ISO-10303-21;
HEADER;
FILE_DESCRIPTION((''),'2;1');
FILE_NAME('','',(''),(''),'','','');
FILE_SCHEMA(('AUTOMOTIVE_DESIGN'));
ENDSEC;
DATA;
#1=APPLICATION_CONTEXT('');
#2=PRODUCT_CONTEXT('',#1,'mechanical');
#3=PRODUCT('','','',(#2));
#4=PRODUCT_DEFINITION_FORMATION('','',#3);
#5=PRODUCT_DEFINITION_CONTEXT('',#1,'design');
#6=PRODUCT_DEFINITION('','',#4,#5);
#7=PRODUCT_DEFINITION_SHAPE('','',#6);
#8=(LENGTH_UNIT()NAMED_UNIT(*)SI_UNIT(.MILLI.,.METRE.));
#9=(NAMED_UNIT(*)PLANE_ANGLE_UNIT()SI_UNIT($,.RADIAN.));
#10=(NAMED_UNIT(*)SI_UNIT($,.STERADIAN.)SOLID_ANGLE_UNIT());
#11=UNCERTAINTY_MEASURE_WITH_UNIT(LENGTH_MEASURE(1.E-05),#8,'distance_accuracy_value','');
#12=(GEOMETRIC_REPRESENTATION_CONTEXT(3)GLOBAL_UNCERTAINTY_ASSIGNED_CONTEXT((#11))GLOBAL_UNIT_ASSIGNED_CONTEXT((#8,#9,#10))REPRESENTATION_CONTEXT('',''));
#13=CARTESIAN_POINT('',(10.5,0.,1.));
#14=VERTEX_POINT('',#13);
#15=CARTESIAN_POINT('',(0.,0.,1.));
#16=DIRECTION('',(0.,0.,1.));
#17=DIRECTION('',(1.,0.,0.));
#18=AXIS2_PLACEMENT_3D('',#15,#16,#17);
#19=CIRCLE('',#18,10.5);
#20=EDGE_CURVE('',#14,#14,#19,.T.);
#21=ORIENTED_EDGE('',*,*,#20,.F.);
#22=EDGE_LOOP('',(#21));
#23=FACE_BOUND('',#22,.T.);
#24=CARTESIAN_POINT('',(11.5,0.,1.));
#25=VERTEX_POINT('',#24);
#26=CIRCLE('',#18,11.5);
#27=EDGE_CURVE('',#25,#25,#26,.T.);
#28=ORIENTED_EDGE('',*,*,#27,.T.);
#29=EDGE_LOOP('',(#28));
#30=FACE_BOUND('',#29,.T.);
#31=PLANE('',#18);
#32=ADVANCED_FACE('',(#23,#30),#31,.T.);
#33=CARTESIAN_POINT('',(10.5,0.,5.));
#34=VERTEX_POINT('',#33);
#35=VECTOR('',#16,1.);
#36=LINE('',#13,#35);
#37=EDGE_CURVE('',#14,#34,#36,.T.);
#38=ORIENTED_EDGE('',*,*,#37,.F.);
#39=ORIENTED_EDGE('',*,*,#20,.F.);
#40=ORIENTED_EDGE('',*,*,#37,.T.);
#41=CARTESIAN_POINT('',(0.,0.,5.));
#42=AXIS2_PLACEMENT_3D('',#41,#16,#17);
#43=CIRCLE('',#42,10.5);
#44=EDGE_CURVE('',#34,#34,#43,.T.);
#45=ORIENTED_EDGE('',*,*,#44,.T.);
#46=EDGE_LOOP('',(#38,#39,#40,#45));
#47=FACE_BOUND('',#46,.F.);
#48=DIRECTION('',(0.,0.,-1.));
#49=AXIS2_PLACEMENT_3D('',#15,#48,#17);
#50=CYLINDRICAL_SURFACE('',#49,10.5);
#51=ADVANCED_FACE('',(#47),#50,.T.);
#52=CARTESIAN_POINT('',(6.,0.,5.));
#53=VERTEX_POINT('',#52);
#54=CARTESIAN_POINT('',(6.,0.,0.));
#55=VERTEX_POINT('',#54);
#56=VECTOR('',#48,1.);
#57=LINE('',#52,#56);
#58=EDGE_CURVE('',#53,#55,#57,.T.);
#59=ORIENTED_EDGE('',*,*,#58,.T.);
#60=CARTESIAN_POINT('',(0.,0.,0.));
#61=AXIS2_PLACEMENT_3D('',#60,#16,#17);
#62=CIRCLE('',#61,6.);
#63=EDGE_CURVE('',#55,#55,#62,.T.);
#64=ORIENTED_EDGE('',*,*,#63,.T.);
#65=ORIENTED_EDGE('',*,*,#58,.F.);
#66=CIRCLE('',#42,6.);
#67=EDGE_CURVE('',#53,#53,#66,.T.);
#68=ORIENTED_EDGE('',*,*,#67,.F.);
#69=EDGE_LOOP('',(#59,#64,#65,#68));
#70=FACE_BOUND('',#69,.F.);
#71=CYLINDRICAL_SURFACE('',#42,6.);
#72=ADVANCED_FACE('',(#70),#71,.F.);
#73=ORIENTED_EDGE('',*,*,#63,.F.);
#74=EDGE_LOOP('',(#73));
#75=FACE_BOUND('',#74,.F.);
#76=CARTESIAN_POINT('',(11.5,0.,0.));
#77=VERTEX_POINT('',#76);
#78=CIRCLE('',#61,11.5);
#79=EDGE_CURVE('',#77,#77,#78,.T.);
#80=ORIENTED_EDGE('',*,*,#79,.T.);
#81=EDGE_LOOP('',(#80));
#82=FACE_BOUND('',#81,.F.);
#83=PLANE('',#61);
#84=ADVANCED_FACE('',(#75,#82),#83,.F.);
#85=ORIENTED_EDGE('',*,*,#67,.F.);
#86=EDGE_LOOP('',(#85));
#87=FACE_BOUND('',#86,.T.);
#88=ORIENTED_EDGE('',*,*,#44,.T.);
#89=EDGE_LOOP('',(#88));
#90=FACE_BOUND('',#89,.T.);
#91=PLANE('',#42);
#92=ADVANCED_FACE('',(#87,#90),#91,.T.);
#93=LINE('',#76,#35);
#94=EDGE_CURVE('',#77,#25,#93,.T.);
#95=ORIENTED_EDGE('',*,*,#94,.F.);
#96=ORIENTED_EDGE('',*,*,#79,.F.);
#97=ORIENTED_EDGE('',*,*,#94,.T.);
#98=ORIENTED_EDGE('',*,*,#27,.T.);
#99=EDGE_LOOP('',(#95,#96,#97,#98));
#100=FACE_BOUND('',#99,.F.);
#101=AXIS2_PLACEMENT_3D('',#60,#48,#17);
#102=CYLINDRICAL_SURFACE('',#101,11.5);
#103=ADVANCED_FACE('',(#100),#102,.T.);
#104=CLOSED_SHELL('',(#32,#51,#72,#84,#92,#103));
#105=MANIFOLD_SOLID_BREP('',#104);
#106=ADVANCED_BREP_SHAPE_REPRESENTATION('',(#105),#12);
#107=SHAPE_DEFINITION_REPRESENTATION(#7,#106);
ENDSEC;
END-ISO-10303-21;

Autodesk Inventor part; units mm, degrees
ref_plane "YZ Plane" through (0, 0, 0) normal (1, 0, 0) x (0, 1, 0)
ref_plane "XZ Plane" through (0, 0, 0) normal (0, 1, 0) x (-1, 0, 0)
ref_plane "XY Plane" through (0, 0, 0) normal (0, 0, 1) x (1, 0, 0)
sketch "スケッチ1" plane through (0, 0, 0) normal (0, 0, 1) x (1, 0, 0)
  circle A0 centre (0, 0) radius 11.5
  dimension "d0" = 23
extrude "押し出し1" add sketch "スケッチ1" along normal blind 1
sketch "スケッチ2" plane through (0, 0, 1) normal (0, 0, 1) x (1, 0, 0)
  circle A0 centre (0, 0) radius 10.5
  dimension "d3" = 21
extrude "押し出し2" add sketch "スケッチ2" along normal blind 4
sketch "スケッチ3" plane through (0, 0, 5) normal (0, 0, 1) x (1, 0, 0)
  circle A0 centre (0, 0) radius 6
  dimension "d6" = 12
extrude "押し出し3" cut sketch "スケッチ3" against normal blind 10
properties part number "bear_12_21"
